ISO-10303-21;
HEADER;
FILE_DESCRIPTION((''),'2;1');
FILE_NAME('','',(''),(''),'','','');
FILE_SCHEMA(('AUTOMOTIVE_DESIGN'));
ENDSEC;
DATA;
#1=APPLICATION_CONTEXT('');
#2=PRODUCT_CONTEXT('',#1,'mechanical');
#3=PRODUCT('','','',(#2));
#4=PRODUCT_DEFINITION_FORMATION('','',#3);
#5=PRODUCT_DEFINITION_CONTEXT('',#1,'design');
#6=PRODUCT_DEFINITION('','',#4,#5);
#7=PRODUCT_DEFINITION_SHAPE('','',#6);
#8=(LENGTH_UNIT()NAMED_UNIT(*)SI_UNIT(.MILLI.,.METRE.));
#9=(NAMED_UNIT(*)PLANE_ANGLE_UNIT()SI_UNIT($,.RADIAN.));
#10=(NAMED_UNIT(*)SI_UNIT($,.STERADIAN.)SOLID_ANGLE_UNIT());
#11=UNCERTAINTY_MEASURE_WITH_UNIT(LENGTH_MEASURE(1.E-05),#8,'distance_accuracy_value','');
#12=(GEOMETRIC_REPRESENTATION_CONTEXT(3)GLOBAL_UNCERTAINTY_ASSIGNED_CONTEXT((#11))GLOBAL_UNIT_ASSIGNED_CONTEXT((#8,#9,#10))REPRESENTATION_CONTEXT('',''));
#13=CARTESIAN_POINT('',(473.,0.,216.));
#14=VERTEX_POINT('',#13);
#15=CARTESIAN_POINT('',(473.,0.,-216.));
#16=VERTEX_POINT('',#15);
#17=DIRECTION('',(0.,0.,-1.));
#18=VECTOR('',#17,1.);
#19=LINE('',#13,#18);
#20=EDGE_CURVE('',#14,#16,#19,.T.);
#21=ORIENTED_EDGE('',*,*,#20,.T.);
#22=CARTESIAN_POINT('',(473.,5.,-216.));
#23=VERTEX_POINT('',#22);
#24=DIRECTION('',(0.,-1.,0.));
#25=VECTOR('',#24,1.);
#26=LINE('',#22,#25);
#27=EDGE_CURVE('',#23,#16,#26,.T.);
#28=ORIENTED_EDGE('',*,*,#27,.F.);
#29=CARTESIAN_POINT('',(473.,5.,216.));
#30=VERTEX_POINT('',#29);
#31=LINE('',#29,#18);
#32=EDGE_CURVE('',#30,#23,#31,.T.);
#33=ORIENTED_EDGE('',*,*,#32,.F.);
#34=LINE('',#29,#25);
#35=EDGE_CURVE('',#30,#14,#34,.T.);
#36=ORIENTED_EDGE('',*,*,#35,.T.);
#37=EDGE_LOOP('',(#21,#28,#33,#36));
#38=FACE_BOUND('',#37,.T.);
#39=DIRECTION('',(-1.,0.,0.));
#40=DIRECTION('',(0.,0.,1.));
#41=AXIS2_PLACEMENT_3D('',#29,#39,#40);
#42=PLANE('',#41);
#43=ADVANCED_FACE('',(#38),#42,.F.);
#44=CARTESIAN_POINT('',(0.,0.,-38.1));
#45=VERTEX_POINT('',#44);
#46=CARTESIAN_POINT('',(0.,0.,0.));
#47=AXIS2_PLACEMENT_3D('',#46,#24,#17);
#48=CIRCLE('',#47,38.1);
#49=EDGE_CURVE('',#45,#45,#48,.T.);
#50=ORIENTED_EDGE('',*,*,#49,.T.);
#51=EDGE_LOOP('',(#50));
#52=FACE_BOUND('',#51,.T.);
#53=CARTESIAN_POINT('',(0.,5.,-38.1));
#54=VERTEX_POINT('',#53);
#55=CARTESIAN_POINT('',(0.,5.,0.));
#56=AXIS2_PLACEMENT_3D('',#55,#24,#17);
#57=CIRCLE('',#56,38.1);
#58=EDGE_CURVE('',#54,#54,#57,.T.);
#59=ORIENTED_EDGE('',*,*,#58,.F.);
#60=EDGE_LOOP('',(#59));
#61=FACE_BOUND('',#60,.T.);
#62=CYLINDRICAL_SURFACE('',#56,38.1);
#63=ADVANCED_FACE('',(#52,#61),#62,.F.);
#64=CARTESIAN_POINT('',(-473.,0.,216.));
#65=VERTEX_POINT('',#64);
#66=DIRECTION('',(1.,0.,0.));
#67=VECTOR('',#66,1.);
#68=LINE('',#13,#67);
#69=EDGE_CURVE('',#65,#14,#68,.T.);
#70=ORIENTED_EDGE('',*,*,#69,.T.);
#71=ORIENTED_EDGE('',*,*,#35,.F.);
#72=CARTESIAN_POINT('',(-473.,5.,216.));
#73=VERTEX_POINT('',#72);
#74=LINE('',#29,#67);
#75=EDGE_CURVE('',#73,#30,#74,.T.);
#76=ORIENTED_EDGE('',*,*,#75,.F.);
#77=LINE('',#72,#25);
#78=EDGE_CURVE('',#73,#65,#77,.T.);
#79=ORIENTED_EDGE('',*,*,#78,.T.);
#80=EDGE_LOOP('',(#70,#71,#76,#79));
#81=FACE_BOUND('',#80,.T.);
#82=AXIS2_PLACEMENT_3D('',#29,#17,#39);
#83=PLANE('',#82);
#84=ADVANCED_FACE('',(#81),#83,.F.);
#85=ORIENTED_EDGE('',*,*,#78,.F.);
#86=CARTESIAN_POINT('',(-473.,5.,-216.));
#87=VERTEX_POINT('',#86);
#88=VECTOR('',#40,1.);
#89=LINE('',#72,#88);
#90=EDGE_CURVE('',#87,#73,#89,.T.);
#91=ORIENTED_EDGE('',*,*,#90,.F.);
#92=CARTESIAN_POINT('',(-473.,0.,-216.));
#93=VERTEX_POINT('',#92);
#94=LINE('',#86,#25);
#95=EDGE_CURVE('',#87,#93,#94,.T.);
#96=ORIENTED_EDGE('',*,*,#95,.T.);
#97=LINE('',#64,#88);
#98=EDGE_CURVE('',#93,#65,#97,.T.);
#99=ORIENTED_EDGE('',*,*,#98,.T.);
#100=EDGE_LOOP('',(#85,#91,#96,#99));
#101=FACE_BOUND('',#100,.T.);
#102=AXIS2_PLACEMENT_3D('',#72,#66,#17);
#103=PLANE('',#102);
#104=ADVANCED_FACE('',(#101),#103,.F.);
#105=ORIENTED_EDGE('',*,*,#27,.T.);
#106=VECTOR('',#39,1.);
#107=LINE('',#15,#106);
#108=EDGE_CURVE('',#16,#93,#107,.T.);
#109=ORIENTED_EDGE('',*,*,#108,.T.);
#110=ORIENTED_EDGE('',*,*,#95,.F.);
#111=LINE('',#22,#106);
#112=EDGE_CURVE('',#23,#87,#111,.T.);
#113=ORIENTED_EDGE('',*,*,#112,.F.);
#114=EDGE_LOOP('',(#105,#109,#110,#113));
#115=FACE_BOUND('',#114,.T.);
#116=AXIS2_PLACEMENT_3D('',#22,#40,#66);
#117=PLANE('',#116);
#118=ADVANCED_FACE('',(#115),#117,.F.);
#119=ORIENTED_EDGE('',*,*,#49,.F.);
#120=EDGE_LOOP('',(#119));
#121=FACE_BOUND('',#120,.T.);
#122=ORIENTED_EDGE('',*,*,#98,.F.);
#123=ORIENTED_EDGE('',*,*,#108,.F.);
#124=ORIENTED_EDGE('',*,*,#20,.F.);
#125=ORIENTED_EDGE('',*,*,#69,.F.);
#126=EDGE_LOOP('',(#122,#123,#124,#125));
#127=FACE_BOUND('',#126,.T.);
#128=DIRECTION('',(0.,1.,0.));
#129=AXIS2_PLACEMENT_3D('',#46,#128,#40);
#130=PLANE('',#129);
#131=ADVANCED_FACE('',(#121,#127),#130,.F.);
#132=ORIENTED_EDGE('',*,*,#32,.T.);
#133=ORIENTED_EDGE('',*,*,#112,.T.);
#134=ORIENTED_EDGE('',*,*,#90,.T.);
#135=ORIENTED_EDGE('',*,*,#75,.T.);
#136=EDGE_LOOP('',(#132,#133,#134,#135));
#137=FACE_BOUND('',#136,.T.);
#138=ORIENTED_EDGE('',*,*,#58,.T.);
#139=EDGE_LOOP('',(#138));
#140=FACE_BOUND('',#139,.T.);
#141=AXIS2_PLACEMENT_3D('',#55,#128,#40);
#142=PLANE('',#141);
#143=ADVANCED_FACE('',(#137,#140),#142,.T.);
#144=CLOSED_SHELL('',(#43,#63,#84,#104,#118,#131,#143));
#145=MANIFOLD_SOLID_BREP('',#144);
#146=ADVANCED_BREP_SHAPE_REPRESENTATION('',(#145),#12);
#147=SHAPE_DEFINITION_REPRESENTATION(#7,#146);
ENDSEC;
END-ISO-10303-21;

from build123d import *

# Parameters (mm, degrees)
SKETCH1_W           = 946
SKETCH1_H           = 432
BOSS_EXTRUDE1_DEPTH = 5
SKETCH2_R           = 38.1
CUT_EXTRUDE1_DEPTH  = 5


with BuildPart() as part:
    # Sketch1 → Boss-Extrude1 (new body)
    with BuildSketch(Plane(origin=(0, 0, 0), x_dir=(1, 0, 0), z_dir=(0, 1, 0))):
        Rectangle(SKETCH1_W, SKETCH1_H)
    extrude(amount=BOSS_EXTRUDE1_DEPTH)

    # Sketch2 → Cut-Extrude1 (cut)
    with BuildSketch(Plane(origin=(0, 0, 0), x_dir=(-1, 0, 0), z_dir=(0, -1, 0))):
        with Locations(Location((0, 0, 0), (0, 0, 90))):
            Circle(SKETCH2_R)
    extrude(amount=-CUT_EXTRUDE1_DEPTH, mode=Mode.SUBTRACT)


solid = part.part
